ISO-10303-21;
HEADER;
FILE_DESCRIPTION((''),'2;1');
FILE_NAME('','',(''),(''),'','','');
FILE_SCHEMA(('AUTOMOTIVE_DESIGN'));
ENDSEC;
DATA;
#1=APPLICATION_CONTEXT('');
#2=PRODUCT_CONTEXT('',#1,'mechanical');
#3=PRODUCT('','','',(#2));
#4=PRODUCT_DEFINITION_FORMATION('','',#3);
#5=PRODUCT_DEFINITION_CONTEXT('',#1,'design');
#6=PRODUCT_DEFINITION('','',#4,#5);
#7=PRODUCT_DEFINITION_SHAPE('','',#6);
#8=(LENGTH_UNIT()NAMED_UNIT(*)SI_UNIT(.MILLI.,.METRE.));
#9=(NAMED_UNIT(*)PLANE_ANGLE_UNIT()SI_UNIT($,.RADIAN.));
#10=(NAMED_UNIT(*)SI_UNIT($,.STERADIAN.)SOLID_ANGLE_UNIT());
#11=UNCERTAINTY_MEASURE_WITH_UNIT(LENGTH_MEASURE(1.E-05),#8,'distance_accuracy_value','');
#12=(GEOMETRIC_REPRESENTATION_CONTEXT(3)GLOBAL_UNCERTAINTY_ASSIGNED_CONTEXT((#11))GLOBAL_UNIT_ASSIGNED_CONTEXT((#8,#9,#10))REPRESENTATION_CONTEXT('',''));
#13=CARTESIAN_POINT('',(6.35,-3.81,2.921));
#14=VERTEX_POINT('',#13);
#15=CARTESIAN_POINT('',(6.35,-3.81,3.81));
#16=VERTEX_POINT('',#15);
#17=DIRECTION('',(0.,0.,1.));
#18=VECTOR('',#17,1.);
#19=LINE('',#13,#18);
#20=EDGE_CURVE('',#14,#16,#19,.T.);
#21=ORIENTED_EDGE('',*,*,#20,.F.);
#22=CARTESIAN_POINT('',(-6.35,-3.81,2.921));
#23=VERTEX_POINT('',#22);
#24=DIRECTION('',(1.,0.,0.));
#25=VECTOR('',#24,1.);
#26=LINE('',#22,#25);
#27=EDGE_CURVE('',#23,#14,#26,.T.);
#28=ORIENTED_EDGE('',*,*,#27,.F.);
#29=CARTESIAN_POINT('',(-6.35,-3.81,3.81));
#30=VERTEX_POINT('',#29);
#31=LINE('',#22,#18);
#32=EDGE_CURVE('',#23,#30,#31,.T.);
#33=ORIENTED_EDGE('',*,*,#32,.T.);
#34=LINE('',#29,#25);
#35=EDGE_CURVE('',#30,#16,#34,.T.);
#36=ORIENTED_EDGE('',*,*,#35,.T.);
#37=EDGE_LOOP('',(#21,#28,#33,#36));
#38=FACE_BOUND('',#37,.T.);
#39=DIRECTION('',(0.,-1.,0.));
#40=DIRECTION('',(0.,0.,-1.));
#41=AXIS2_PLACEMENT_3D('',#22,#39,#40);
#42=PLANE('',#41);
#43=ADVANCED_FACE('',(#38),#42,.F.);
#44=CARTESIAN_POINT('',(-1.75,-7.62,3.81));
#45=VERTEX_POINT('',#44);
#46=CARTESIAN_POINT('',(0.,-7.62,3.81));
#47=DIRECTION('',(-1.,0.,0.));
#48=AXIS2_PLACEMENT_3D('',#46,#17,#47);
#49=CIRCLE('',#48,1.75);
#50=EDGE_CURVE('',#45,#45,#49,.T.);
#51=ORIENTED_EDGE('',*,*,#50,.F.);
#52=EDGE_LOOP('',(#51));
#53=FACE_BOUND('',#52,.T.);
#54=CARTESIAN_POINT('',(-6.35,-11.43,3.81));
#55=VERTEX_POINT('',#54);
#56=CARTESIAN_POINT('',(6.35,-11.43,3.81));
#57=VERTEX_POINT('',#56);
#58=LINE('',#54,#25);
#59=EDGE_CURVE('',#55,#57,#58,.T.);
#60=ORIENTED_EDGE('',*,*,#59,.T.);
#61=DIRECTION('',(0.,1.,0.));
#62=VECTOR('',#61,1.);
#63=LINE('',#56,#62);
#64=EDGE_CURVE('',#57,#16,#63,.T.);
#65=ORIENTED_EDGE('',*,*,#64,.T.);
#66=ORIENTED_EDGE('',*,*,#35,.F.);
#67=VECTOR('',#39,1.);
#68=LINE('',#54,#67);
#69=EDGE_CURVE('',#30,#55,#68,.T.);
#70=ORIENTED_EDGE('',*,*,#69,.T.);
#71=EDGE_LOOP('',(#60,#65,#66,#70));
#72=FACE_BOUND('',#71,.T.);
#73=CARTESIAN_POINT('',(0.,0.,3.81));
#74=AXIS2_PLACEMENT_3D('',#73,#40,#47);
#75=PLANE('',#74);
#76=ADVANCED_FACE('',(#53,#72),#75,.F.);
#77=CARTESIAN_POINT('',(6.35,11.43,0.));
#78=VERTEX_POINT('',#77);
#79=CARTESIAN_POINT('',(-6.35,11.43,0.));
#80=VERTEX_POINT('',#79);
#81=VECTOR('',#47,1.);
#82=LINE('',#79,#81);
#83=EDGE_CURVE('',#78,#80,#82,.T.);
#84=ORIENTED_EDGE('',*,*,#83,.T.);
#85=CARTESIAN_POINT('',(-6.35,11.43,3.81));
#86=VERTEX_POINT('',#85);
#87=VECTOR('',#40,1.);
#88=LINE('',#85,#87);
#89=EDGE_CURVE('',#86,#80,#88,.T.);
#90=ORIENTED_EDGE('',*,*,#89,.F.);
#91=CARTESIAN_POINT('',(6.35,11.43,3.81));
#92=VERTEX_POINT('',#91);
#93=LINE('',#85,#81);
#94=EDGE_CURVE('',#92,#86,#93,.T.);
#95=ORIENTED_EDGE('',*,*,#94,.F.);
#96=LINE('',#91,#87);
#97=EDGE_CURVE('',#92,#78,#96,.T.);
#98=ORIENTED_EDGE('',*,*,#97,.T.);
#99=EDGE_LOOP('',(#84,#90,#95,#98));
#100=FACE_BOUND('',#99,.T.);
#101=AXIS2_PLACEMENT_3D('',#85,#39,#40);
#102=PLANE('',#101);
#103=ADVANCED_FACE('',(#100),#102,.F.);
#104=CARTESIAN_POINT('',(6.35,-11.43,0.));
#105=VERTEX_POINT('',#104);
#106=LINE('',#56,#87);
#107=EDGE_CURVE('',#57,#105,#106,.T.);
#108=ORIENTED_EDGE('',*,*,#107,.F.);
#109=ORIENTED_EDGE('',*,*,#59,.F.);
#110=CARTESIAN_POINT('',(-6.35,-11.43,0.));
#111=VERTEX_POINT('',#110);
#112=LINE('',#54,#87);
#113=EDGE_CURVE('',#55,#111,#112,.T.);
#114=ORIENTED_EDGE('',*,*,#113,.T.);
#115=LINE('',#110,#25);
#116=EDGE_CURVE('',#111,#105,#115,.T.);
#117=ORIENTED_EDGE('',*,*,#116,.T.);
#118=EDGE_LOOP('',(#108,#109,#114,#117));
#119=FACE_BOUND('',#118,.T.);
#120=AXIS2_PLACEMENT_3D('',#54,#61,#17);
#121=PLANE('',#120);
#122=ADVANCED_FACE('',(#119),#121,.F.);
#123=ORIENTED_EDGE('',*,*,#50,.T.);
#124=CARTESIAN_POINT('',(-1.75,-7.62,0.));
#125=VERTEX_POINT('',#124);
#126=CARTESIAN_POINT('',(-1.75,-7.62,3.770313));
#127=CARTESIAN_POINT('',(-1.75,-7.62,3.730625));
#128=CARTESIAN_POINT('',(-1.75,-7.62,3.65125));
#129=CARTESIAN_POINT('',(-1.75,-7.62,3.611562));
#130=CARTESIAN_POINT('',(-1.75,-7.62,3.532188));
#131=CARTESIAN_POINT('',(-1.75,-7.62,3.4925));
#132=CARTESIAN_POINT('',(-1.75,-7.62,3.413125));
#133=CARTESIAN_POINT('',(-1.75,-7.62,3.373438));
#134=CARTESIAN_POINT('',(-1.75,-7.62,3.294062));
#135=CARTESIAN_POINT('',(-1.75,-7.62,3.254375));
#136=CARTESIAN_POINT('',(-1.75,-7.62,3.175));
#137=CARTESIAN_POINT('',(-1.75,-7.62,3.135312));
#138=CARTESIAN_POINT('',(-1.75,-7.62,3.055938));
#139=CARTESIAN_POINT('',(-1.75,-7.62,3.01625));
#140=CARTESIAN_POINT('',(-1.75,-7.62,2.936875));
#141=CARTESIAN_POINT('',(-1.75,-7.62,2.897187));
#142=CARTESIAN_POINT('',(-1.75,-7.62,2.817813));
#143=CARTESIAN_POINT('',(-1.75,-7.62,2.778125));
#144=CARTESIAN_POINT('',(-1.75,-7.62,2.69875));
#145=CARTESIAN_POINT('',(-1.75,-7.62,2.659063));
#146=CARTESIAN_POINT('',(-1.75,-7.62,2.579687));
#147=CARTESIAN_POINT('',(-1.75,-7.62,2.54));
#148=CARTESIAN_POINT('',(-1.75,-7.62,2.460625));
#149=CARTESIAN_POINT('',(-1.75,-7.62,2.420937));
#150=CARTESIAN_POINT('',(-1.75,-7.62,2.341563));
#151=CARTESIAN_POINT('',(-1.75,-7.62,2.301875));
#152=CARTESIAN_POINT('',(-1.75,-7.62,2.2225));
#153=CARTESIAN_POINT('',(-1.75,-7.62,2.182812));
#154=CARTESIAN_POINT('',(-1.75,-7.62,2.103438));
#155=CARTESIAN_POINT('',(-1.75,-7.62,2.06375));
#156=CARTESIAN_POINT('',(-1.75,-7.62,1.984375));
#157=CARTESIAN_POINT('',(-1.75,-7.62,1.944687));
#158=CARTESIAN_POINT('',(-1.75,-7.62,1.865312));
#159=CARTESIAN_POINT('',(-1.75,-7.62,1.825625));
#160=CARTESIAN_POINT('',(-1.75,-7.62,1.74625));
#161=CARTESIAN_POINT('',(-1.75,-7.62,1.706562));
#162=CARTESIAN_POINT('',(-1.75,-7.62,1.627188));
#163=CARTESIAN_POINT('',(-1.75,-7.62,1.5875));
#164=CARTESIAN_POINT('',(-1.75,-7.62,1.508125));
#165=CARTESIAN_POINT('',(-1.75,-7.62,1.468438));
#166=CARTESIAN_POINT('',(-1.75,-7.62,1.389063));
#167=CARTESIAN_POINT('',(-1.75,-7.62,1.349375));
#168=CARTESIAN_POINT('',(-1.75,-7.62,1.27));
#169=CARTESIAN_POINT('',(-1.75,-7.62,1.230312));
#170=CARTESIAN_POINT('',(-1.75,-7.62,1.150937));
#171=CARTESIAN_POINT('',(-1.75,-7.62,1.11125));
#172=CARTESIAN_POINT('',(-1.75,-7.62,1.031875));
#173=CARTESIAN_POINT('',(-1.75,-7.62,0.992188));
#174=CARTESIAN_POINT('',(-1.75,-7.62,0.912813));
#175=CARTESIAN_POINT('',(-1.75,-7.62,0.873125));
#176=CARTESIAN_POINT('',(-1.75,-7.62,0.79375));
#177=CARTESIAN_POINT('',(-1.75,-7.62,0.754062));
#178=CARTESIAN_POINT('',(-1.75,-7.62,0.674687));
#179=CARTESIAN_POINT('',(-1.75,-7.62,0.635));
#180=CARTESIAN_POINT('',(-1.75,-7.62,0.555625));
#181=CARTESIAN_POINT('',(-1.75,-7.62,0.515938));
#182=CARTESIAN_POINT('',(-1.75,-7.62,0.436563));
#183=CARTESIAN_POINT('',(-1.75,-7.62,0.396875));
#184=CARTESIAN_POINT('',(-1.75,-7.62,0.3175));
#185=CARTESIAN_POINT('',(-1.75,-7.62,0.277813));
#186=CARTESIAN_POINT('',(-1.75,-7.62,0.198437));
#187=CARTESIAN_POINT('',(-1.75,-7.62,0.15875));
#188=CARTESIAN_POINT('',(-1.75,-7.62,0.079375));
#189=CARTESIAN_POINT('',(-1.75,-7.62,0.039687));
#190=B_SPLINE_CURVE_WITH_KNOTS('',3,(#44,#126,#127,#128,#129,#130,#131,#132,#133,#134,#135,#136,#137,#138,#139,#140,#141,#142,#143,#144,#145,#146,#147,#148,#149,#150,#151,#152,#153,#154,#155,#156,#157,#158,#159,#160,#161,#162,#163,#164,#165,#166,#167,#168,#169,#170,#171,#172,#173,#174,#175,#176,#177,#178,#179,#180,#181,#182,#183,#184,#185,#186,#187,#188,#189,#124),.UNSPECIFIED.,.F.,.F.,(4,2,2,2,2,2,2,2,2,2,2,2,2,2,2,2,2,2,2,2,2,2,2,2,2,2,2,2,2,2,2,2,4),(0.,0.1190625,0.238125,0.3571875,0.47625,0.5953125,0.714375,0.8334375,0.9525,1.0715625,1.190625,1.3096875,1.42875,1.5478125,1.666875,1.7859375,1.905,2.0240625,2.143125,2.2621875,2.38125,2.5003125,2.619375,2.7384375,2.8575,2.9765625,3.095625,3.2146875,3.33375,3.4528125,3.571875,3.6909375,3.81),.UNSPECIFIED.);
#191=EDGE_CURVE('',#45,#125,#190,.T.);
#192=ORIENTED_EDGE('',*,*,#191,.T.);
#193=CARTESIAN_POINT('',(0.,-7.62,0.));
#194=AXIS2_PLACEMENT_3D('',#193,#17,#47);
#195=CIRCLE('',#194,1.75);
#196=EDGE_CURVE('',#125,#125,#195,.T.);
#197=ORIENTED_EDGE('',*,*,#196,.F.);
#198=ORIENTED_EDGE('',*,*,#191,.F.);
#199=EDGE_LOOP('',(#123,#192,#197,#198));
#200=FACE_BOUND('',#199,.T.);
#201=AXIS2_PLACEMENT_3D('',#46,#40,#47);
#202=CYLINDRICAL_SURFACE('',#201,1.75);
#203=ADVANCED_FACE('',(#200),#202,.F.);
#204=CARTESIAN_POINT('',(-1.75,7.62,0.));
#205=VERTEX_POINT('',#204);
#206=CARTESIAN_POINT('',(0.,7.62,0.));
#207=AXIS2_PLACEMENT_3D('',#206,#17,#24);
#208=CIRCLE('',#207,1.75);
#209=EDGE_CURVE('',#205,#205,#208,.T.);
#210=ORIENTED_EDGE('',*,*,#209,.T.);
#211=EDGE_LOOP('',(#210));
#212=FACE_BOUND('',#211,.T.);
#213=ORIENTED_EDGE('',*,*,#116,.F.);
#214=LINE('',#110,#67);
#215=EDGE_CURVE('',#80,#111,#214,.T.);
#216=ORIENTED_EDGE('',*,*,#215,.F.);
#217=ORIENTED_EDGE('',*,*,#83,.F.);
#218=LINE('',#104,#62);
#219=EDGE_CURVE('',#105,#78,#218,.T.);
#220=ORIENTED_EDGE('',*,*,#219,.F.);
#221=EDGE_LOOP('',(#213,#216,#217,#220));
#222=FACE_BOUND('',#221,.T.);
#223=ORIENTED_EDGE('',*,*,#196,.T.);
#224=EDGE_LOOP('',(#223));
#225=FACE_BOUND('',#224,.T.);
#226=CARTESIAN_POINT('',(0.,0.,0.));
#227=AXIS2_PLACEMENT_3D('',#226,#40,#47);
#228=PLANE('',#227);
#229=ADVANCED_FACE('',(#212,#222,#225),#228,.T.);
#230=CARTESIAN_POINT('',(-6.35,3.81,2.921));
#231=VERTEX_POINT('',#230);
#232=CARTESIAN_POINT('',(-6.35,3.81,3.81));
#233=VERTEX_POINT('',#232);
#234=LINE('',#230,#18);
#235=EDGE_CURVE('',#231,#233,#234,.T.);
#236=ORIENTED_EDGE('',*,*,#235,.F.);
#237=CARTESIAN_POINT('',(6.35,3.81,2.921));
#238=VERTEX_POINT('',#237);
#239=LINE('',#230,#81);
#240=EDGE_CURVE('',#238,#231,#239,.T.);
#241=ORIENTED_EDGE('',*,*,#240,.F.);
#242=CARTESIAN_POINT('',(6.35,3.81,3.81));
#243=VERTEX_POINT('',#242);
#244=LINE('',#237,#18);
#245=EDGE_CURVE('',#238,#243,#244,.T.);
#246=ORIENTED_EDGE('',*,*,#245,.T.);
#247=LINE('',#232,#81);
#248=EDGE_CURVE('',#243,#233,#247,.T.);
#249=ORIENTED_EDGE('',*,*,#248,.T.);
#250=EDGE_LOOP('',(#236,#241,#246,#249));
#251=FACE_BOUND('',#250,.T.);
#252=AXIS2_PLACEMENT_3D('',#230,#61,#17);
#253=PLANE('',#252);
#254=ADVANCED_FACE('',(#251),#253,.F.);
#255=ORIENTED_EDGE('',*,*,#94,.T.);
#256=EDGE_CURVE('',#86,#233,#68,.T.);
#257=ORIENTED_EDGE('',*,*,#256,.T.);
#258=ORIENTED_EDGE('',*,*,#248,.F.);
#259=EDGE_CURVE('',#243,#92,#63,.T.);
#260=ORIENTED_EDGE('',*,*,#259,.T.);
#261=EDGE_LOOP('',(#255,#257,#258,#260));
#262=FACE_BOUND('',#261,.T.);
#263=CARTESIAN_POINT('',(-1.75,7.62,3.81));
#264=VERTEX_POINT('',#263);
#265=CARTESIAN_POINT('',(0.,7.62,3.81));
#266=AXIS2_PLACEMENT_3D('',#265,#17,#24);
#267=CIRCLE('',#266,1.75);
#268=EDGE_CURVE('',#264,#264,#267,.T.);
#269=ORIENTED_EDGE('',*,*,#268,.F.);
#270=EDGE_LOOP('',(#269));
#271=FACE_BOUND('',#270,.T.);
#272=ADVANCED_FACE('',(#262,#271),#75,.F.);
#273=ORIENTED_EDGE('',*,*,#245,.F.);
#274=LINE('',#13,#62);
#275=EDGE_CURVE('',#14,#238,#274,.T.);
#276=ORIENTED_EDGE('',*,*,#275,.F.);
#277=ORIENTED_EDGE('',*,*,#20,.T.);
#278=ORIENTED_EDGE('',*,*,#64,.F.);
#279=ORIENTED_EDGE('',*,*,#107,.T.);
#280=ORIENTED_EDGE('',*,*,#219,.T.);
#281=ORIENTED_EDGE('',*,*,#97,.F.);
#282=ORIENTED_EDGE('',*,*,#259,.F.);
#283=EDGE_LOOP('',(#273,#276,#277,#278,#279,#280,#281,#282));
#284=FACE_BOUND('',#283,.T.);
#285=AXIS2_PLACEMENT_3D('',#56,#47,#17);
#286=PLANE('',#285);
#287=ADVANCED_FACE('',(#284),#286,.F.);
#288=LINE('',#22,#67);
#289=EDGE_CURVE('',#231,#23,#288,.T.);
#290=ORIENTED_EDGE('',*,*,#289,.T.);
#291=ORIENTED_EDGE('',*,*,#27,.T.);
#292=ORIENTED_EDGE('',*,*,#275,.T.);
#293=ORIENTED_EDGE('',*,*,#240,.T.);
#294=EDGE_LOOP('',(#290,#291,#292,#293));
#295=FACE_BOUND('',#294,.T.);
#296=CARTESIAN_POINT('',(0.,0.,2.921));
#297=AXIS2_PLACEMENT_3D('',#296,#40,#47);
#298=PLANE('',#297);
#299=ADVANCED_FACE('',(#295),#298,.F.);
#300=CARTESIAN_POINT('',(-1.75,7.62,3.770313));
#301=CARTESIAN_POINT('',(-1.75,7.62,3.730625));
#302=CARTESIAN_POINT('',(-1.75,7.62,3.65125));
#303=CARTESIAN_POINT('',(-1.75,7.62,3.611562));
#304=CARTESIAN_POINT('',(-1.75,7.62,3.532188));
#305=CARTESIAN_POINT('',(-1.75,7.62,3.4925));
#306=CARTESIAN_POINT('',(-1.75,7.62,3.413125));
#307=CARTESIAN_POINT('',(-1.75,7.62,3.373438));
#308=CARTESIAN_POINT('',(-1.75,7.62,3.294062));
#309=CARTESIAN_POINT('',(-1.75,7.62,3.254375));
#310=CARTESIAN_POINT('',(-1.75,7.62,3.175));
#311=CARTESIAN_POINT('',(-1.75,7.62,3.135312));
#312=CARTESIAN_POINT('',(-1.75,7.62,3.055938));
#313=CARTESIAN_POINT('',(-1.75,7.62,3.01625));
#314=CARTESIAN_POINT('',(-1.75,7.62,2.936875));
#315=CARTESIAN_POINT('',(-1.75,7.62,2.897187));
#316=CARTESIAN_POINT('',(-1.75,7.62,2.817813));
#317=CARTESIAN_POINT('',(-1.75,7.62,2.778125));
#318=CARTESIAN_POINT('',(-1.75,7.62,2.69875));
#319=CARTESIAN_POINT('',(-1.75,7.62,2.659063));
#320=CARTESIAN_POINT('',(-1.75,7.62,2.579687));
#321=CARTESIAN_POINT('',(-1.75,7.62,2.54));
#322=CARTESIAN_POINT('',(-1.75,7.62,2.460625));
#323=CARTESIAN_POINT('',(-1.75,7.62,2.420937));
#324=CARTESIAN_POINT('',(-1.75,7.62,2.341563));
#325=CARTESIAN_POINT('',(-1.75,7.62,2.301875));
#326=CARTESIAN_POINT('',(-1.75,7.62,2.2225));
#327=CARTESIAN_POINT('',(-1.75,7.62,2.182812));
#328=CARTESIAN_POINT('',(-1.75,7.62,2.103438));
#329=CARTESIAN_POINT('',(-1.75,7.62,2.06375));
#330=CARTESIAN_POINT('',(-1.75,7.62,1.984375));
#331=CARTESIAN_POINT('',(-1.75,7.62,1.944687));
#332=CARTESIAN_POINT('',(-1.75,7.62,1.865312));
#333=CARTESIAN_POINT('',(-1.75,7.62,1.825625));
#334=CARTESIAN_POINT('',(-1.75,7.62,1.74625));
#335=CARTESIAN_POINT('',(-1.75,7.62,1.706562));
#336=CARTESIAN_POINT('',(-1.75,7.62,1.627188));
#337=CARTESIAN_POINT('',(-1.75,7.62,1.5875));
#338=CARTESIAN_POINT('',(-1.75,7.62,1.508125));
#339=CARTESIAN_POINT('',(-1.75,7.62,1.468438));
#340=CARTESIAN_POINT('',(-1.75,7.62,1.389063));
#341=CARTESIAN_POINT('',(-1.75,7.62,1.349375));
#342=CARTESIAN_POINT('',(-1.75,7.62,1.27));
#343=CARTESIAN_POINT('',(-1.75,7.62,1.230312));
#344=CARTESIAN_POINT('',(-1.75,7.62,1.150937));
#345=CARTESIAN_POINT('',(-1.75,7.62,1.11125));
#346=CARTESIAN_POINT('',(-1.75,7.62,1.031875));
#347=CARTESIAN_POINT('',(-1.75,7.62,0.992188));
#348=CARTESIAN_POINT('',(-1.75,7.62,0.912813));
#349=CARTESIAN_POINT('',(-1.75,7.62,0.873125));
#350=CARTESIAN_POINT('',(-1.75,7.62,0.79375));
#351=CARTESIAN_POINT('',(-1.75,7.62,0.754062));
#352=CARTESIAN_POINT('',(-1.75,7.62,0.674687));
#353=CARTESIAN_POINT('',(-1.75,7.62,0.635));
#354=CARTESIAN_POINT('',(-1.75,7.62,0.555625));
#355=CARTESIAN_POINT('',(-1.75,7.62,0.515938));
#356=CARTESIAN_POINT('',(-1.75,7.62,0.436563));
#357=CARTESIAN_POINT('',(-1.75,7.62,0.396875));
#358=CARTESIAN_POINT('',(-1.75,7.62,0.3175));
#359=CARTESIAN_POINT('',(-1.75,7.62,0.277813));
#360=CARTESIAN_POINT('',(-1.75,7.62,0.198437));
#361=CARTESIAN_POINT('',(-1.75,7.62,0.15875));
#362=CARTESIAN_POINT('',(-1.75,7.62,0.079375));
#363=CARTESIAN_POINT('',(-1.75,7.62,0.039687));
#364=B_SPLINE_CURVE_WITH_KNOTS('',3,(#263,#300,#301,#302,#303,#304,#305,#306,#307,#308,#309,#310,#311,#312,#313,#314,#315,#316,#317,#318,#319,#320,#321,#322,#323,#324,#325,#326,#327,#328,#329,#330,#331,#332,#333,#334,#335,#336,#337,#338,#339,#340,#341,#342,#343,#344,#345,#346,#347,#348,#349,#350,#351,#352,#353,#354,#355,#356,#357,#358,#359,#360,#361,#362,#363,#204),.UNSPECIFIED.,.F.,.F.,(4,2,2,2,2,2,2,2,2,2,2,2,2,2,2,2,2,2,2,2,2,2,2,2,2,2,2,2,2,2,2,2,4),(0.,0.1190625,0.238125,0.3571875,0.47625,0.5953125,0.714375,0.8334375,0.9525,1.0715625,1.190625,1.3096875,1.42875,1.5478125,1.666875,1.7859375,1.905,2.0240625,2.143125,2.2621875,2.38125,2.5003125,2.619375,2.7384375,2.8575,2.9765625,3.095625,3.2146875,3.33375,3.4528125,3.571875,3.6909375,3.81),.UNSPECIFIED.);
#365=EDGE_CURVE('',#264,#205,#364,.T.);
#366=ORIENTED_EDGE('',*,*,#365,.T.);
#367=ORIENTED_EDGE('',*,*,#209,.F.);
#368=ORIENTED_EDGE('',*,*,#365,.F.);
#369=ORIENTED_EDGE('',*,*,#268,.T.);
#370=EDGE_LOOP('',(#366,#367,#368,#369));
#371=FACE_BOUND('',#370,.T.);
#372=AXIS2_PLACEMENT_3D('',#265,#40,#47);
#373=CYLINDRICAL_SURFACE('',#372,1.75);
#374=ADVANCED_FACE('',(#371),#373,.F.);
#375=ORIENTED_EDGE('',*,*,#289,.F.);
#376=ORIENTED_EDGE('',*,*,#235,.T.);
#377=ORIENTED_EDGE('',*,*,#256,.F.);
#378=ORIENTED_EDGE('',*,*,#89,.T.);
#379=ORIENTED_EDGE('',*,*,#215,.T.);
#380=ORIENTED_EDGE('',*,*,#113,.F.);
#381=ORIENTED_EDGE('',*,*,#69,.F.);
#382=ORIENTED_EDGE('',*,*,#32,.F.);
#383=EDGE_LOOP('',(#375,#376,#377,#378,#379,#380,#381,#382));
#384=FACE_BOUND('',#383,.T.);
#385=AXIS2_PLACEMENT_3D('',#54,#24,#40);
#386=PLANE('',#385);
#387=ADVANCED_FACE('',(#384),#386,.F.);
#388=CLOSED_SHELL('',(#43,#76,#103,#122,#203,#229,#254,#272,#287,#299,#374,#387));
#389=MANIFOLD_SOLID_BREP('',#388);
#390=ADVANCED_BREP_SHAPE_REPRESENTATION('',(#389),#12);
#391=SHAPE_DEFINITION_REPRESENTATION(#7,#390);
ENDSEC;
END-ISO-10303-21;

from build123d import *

# Parameters (mm, degrees)
SKETCH1_W           = 12.7
SKETCH1_H           = 22.86
SKETCH1_R           = 1.75
BOSS_EXTRUDE1_DEPTH = 3.81
SKETCH2_W           = 12.7
SKETCH2_H           = 7.62
CUT_EXTRUDE1_DEPTH  = 0.889


with BuildPart() as part:
    # Sketch1 → Boss-Extrude1 (new body)
    with BuildSketch(Plane.XY):
        Rectangle(SKETCH1_W, SKETCH1_H)
        with Locations(Location((0, 7.62, 0), (0, 0, 180))):
            Circle(SKETCH1_R, mode=Mode.SUBTRACT)
        with Locations(Location((0, -7.62, 0), (0, 0, 180))):
            Circle(SKETCH1_R, mode=Mode.SUBTRACT)
    extrude(amount=BOSS_EXTRUDE1_DEPTH)

    # Sketch2 → Cut-Extrude1 (cut)
    with BuildSketch(Plane.XY.offset(3.81)):
        Rectangle(SKETCH2_W, SKETCH2_H)
    extrude(amount=-CUT_EXTRUDE1_DEPTH, mode=Mode.SUBTRACT)


solid = part.part
